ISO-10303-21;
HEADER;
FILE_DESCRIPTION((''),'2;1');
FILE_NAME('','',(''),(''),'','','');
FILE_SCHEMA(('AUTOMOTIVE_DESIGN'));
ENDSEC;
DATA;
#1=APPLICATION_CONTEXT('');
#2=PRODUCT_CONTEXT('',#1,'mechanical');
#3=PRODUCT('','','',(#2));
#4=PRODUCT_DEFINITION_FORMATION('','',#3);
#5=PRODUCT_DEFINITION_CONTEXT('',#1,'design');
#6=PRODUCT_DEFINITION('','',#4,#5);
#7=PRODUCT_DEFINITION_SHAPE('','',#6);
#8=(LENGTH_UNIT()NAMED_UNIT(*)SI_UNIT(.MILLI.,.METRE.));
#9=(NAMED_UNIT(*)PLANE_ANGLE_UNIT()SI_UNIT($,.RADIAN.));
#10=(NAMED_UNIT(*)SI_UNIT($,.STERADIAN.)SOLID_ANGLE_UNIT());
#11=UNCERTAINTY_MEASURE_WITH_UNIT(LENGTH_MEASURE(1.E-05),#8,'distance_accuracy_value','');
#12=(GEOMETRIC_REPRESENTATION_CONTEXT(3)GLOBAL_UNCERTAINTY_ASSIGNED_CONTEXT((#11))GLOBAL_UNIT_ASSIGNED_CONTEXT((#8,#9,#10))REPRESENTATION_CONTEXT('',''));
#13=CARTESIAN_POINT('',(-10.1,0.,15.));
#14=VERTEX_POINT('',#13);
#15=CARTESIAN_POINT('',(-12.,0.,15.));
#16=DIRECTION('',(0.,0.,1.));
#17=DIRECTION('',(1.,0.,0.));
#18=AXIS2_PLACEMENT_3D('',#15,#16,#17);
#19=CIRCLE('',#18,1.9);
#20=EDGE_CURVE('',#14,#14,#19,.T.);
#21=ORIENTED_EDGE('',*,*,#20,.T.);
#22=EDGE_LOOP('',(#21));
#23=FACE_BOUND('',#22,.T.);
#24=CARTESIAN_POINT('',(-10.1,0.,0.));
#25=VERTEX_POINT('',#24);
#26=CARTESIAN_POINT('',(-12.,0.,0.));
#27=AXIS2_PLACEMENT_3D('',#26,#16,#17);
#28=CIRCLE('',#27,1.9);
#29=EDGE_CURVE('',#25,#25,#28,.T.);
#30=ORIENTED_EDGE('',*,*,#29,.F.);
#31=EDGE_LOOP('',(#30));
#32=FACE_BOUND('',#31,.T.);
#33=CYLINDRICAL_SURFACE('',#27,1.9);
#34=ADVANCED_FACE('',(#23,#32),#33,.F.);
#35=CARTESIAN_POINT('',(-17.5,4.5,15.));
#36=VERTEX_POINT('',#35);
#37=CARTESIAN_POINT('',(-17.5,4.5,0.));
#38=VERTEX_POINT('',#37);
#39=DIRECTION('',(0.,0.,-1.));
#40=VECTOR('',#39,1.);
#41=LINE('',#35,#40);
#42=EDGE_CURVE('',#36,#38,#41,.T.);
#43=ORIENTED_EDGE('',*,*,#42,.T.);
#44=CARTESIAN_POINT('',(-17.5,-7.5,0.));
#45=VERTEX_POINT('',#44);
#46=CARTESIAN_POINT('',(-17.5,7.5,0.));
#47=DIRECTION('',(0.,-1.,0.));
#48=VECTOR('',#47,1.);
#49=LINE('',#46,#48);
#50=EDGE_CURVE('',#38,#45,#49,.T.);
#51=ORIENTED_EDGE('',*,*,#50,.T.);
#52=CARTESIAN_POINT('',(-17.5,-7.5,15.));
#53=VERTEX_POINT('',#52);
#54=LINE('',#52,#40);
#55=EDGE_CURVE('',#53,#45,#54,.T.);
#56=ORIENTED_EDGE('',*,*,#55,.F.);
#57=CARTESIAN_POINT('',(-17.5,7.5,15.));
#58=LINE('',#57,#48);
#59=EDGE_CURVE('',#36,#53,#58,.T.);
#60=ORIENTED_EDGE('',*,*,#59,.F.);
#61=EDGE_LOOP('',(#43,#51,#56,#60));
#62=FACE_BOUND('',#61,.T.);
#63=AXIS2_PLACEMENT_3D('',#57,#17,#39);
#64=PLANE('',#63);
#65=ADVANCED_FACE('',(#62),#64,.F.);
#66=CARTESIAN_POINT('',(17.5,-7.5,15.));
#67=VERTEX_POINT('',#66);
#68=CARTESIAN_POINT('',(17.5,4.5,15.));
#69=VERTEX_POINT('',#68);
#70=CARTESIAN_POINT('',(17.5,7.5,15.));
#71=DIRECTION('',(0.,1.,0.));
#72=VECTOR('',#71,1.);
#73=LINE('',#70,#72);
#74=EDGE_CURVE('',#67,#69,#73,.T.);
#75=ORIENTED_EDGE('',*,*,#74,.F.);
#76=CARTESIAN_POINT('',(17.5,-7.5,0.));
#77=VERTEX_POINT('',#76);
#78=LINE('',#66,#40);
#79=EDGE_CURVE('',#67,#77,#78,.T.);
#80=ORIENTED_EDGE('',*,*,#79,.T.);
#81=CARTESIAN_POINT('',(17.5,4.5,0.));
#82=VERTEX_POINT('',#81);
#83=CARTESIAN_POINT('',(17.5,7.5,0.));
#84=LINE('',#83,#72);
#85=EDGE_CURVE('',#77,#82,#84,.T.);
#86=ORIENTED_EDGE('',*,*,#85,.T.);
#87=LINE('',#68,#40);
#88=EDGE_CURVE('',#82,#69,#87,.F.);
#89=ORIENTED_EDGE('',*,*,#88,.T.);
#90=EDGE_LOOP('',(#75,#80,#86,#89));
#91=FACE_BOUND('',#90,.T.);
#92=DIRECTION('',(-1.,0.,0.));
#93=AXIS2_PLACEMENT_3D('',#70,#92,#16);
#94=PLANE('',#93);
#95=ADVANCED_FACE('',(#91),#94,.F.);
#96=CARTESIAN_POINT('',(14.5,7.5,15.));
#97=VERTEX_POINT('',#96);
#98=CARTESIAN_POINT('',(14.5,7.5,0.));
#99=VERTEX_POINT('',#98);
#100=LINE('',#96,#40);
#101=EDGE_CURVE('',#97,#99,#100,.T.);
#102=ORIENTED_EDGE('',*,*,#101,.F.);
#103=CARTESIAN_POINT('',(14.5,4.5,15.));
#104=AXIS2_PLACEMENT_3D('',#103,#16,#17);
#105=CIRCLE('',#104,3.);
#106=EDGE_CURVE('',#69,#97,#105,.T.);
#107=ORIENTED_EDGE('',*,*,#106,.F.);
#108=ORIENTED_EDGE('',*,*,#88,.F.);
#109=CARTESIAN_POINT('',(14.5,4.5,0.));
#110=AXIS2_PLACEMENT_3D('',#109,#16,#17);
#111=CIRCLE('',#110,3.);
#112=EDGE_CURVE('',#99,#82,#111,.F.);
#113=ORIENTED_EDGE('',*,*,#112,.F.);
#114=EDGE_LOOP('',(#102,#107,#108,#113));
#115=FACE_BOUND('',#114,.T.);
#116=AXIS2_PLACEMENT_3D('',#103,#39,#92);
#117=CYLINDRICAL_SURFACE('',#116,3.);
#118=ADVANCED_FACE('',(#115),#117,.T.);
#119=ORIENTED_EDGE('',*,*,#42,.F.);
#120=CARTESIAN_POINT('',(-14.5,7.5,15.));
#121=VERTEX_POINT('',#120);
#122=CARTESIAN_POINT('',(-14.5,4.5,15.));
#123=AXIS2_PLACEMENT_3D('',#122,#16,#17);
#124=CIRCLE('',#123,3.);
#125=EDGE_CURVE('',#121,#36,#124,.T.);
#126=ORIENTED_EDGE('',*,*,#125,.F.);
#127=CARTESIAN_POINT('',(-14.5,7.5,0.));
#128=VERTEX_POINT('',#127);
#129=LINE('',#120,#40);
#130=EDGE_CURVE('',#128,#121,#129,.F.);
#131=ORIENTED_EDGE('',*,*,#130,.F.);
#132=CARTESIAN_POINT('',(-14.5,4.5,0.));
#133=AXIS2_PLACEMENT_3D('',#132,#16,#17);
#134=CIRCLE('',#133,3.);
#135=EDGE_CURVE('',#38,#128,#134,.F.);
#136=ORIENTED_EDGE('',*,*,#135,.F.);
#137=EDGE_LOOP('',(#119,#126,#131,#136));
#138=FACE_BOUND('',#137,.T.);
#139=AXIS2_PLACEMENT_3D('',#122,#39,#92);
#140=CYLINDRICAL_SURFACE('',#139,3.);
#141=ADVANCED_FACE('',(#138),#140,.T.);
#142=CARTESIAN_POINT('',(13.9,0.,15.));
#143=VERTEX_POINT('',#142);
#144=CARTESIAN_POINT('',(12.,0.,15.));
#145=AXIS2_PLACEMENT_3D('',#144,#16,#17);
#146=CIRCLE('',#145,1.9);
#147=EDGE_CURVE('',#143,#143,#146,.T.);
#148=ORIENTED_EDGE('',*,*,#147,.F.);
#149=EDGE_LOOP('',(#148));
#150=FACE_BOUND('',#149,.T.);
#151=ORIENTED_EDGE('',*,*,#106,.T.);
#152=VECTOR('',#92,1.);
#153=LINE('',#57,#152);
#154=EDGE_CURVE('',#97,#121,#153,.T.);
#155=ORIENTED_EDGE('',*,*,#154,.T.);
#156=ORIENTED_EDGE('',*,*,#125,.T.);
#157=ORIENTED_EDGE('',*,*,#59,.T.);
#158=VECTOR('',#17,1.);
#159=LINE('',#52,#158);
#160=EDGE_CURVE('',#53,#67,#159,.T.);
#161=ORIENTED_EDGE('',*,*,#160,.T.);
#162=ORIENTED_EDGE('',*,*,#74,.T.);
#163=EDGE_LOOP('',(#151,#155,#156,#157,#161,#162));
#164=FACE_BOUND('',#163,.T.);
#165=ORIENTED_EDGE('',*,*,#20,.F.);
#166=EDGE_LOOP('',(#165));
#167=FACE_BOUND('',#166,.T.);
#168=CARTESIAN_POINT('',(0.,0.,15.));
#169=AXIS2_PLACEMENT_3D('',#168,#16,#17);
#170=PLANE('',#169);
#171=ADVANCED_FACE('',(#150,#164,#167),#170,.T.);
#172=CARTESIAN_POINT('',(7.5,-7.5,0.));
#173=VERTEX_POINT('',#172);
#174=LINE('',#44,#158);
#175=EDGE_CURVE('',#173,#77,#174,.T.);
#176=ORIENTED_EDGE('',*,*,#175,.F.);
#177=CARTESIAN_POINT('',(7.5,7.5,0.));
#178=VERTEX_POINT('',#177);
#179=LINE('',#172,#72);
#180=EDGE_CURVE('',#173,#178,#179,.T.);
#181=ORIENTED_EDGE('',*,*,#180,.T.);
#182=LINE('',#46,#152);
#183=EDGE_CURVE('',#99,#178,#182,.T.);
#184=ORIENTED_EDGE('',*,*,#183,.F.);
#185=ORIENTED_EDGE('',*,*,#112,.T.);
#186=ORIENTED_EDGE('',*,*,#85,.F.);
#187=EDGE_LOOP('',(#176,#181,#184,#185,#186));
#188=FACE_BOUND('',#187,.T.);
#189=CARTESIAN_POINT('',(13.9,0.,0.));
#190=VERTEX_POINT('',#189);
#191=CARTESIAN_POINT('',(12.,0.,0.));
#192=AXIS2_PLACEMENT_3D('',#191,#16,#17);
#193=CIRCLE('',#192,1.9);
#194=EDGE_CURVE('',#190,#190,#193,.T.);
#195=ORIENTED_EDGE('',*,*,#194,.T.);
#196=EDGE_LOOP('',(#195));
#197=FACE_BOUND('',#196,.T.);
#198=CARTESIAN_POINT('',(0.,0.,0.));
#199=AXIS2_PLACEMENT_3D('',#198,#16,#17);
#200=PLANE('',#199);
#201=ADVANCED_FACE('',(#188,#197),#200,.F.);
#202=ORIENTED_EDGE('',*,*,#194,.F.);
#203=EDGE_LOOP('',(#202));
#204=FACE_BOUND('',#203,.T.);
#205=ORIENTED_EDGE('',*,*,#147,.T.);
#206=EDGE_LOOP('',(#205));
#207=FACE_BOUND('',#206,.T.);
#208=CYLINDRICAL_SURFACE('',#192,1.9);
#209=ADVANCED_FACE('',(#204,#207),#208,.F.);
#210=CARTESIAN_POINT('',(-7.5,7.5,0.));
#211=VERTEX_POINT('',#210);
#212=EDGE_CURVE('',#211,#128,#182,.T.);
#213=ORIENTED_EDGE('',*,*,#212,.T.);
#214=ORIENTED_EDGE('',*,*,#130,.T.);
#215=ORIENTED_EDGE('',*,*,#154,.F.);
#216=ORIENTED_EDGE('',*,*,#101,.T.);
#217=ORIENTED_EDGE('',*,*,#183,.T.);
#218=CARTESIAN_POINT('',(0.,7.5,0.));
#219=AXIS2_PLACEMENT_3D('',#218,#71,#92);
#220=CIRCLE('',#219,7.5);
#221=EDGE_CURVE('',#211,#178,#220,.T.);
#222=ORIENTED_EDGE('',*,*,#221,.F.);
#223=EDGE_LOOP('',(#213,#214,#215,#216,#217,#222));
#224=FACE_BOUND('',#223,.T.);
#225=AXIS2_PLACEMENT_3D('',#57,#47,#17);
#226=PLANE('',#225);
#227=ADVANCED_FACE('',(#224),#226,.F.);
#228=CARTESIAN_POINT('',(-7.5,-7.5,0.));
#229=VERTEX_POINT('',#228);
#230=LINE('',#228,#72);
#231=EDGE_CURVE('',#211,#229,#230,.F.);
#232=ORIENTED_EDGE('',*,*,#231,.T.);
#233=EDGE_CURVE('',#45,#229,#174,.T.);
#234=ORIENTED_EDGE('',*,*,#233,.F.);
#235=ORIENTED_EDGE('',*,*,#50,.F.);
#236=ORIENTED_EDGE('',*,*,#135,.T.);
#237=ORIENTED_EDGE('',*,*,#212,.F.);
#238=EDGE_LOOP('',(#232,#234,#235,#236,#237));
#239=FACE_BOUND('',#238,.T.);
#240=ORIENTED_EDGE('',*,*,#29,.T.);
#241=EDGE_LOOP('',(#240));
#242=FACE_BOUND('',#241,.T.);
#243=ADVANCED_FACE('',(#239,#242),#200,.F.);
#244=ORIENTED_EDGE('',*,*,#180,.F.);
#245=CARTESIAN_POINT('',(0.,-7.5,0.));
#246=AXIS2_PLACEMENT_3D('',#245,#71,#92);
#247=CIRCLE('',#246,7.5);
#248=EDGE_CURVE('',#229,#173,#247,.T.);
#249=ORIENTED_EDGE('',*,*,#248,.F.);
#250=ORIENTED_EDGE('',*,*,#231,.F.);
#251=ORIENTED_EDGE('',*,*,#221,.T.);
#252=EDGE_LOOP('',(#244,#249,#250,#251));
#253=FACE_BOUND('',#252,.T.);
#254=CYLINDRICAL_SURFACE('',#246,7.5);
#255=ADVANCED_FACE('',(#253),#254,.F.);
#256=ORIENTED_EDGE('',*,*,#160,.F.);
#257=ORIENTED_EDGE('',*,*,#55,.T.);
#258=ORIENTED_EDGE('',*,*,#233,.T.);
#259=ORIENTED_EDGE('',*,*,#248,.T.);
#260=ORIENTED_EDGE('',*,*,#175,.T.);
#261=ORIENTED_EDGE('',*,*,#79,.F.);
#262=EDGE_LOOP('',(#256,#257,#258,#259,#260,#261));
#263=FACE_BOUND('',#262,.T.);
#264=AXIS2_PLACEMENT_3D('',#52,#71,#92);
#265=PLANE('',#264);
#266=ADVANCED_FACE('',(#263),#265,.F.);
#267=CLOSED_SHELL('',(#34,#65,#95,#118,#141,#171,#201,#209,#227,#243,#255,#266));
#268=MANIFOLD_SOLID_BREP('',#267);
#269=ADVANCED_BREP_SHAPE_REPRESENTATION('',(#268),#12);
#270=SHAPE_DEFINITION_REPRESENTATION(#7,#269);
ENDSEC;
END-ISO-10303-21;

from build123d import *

# Parameters (mm, degrees)
SKETCH1_W           = 35
SKETCH1_H           = 15
BOSS_EXTRUDE1_DEPTH = 15
SKETCH2_R           = 1.9
CUT_EXTRUDE1_DEPTH  = 15
FILLET1_R           = 3
SKETCH3_R           = 7.5
CUT_EXTRUDE2_DEPTH  = 16


with BuildPart() as part:
    # Sketch1 → Boss-Extrude1 (new body)
    with BuildSketch(Plane.XY):
        Rectangle(SKETCH1_W, SKETCH1_H)
    extrude(amount=BOSS_EXTRUDE1_DEPTH)

    # Sketch2 → Cut-Extrude1 (cut)
    with BuildSketch(Plane.XY.offset(15)):
        with Locations((-12, 0)):
            Circle(SKETCH2_R)
        with Locations((12, 0)):
            Circle(SKETCH2_R)
    extrude(amount=-CUT_EXTRUDE1_DEPTH, mode=Mode.SUBTRACT)

    # Fillet1
    fillet1_edges = [part.edges().sort_by_distance(p)[0] for p in [
        (-17.5, 7.5, 7.5),
        (17.5, 7.5, 7.5),
    ]]
    fillet(fillet1_edges, radius=FILLET1_R)

    # Sketch3 → Cut-Extrude2 (cut, through all)
    with BuildSketch(Plane(origin=(0, 7.5, 0), x_dir=(1, 0, 0), z_dir=(0, 1, 0))):
        Circle(SKETCH3_R)
    extrude(amount=-CUT_EXTRUDE2_DEPTH, mode=Mode.SUBTRACT)


solid = part.part
